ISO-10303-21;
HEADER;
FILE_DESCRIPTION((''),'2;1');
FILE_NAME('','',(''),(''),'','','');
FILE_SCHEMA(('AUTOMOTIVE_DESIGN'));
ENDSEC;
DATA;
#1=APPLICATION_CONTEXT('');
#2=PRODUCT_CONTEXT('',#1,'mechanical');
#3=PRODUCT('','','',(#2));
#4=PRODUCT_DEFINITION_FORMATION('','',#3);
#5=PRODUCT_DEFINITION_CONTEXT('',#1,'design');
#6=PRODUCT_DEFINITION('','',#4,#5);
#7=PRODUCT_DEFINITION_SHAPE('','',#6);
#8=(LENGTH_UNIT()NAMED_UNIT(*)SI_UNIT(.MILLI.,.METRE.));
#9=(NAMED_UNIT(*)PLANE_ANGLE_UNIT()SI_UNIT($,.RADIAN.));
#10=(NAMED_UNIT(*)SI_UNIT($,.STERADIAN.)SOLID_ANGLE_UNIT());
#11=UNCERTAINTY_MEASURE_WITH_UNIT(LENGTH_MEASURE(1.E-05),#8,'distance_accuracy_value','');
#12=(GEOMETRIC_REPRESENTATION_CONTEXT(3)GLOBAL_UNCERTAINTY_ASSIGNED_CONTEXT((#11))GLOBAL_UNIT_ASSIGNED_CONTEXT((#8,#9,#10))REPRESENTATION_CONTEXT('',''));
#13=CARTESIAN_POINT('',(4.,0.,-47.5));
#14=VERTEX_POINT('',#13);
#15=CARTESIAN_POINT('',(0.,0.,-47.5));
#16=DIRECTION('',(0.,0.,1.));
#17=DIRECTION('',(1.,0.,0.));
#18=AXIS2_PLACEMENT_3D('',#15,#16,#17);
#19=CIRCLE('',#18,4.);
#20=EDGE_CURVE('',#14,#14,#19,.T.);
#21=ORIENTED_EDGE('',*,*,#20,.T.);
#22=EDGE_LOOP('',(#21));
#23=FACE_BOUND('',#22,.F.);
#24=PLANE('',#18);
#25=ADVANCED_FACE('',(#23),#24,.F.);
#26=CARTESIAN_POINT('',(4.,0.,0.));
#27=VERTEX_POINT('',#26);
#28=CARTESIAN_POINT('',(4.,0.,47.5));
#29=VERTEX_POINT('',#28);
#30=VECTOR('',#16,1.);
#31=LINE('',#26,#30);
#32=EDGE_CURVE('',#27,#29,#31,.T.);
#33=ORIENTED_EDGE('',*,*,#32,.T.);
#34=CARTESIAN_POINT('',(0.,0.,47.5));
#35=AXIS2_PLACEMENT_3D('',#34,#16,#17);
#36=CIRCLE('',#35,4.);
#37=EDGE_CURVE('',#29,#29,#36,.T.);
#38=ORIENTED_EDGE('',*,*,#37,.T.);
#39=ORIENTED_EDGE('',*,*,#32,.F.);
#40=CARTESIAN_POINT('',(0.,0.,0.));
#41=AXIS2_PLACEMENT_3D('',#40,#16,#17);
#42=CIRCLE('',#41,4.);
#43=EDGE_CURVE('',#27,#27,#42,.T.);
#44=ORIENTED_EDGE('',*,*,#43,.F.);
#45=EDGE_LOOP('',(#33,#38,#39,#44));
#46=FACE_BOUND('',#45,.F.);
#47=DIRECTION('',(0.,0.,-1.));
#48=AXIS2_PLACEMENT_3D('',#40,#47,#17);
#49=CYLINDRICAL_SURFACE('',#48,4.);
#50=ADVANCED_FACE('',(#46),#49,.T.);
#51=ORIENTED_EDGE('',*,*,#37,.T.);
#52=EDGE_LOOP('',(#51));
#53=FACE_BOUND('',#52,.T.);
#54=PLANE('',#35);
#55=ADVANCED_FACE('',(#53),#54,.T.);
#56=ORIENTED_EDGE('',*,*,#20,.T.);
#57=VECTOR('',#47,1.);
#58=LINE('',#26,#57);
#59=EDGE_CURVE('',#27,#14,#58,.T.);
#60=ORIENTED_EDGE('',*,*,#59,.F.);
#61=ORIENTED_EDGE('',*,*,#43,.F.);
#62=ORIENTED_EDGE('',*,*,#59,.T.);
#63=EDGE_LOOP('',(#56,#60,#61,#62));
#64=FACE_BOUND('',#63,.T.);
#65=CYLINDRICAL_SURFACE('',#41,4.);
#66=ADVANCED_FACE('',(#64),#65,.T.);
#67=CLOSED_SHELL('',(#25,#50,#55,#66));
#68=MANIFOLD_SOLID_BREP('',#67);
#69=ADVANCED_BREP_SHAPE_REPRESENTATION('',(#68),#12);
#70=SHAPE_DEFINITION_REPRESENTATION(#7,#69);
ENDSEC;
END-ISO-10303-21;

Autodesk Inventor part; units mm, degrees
ref_plane "YZ Plane" through (0, 0, 0) normal (1, 0, 0) x (0, 1, 0)
ref_plane "XZ Plane" through (0, 0, 0) normal (0, 1, 0) x (-1, 0, 0)
ref_plane "XY Plane" through (0, 0, 0) normal (0, 0, 1) x (1, 0, 0)
sketch "Sketch1" plane through (0, 0, 0) normal (0, 0, 1) x (1, 0, 0)
  circle A0 centre (0, 0) radius 4
  dimension "d0" = 8
extrude "Extrusion1" add sketch "Sketch1" along normal mid plane 95
properties part number "SteelRod_8mm"
